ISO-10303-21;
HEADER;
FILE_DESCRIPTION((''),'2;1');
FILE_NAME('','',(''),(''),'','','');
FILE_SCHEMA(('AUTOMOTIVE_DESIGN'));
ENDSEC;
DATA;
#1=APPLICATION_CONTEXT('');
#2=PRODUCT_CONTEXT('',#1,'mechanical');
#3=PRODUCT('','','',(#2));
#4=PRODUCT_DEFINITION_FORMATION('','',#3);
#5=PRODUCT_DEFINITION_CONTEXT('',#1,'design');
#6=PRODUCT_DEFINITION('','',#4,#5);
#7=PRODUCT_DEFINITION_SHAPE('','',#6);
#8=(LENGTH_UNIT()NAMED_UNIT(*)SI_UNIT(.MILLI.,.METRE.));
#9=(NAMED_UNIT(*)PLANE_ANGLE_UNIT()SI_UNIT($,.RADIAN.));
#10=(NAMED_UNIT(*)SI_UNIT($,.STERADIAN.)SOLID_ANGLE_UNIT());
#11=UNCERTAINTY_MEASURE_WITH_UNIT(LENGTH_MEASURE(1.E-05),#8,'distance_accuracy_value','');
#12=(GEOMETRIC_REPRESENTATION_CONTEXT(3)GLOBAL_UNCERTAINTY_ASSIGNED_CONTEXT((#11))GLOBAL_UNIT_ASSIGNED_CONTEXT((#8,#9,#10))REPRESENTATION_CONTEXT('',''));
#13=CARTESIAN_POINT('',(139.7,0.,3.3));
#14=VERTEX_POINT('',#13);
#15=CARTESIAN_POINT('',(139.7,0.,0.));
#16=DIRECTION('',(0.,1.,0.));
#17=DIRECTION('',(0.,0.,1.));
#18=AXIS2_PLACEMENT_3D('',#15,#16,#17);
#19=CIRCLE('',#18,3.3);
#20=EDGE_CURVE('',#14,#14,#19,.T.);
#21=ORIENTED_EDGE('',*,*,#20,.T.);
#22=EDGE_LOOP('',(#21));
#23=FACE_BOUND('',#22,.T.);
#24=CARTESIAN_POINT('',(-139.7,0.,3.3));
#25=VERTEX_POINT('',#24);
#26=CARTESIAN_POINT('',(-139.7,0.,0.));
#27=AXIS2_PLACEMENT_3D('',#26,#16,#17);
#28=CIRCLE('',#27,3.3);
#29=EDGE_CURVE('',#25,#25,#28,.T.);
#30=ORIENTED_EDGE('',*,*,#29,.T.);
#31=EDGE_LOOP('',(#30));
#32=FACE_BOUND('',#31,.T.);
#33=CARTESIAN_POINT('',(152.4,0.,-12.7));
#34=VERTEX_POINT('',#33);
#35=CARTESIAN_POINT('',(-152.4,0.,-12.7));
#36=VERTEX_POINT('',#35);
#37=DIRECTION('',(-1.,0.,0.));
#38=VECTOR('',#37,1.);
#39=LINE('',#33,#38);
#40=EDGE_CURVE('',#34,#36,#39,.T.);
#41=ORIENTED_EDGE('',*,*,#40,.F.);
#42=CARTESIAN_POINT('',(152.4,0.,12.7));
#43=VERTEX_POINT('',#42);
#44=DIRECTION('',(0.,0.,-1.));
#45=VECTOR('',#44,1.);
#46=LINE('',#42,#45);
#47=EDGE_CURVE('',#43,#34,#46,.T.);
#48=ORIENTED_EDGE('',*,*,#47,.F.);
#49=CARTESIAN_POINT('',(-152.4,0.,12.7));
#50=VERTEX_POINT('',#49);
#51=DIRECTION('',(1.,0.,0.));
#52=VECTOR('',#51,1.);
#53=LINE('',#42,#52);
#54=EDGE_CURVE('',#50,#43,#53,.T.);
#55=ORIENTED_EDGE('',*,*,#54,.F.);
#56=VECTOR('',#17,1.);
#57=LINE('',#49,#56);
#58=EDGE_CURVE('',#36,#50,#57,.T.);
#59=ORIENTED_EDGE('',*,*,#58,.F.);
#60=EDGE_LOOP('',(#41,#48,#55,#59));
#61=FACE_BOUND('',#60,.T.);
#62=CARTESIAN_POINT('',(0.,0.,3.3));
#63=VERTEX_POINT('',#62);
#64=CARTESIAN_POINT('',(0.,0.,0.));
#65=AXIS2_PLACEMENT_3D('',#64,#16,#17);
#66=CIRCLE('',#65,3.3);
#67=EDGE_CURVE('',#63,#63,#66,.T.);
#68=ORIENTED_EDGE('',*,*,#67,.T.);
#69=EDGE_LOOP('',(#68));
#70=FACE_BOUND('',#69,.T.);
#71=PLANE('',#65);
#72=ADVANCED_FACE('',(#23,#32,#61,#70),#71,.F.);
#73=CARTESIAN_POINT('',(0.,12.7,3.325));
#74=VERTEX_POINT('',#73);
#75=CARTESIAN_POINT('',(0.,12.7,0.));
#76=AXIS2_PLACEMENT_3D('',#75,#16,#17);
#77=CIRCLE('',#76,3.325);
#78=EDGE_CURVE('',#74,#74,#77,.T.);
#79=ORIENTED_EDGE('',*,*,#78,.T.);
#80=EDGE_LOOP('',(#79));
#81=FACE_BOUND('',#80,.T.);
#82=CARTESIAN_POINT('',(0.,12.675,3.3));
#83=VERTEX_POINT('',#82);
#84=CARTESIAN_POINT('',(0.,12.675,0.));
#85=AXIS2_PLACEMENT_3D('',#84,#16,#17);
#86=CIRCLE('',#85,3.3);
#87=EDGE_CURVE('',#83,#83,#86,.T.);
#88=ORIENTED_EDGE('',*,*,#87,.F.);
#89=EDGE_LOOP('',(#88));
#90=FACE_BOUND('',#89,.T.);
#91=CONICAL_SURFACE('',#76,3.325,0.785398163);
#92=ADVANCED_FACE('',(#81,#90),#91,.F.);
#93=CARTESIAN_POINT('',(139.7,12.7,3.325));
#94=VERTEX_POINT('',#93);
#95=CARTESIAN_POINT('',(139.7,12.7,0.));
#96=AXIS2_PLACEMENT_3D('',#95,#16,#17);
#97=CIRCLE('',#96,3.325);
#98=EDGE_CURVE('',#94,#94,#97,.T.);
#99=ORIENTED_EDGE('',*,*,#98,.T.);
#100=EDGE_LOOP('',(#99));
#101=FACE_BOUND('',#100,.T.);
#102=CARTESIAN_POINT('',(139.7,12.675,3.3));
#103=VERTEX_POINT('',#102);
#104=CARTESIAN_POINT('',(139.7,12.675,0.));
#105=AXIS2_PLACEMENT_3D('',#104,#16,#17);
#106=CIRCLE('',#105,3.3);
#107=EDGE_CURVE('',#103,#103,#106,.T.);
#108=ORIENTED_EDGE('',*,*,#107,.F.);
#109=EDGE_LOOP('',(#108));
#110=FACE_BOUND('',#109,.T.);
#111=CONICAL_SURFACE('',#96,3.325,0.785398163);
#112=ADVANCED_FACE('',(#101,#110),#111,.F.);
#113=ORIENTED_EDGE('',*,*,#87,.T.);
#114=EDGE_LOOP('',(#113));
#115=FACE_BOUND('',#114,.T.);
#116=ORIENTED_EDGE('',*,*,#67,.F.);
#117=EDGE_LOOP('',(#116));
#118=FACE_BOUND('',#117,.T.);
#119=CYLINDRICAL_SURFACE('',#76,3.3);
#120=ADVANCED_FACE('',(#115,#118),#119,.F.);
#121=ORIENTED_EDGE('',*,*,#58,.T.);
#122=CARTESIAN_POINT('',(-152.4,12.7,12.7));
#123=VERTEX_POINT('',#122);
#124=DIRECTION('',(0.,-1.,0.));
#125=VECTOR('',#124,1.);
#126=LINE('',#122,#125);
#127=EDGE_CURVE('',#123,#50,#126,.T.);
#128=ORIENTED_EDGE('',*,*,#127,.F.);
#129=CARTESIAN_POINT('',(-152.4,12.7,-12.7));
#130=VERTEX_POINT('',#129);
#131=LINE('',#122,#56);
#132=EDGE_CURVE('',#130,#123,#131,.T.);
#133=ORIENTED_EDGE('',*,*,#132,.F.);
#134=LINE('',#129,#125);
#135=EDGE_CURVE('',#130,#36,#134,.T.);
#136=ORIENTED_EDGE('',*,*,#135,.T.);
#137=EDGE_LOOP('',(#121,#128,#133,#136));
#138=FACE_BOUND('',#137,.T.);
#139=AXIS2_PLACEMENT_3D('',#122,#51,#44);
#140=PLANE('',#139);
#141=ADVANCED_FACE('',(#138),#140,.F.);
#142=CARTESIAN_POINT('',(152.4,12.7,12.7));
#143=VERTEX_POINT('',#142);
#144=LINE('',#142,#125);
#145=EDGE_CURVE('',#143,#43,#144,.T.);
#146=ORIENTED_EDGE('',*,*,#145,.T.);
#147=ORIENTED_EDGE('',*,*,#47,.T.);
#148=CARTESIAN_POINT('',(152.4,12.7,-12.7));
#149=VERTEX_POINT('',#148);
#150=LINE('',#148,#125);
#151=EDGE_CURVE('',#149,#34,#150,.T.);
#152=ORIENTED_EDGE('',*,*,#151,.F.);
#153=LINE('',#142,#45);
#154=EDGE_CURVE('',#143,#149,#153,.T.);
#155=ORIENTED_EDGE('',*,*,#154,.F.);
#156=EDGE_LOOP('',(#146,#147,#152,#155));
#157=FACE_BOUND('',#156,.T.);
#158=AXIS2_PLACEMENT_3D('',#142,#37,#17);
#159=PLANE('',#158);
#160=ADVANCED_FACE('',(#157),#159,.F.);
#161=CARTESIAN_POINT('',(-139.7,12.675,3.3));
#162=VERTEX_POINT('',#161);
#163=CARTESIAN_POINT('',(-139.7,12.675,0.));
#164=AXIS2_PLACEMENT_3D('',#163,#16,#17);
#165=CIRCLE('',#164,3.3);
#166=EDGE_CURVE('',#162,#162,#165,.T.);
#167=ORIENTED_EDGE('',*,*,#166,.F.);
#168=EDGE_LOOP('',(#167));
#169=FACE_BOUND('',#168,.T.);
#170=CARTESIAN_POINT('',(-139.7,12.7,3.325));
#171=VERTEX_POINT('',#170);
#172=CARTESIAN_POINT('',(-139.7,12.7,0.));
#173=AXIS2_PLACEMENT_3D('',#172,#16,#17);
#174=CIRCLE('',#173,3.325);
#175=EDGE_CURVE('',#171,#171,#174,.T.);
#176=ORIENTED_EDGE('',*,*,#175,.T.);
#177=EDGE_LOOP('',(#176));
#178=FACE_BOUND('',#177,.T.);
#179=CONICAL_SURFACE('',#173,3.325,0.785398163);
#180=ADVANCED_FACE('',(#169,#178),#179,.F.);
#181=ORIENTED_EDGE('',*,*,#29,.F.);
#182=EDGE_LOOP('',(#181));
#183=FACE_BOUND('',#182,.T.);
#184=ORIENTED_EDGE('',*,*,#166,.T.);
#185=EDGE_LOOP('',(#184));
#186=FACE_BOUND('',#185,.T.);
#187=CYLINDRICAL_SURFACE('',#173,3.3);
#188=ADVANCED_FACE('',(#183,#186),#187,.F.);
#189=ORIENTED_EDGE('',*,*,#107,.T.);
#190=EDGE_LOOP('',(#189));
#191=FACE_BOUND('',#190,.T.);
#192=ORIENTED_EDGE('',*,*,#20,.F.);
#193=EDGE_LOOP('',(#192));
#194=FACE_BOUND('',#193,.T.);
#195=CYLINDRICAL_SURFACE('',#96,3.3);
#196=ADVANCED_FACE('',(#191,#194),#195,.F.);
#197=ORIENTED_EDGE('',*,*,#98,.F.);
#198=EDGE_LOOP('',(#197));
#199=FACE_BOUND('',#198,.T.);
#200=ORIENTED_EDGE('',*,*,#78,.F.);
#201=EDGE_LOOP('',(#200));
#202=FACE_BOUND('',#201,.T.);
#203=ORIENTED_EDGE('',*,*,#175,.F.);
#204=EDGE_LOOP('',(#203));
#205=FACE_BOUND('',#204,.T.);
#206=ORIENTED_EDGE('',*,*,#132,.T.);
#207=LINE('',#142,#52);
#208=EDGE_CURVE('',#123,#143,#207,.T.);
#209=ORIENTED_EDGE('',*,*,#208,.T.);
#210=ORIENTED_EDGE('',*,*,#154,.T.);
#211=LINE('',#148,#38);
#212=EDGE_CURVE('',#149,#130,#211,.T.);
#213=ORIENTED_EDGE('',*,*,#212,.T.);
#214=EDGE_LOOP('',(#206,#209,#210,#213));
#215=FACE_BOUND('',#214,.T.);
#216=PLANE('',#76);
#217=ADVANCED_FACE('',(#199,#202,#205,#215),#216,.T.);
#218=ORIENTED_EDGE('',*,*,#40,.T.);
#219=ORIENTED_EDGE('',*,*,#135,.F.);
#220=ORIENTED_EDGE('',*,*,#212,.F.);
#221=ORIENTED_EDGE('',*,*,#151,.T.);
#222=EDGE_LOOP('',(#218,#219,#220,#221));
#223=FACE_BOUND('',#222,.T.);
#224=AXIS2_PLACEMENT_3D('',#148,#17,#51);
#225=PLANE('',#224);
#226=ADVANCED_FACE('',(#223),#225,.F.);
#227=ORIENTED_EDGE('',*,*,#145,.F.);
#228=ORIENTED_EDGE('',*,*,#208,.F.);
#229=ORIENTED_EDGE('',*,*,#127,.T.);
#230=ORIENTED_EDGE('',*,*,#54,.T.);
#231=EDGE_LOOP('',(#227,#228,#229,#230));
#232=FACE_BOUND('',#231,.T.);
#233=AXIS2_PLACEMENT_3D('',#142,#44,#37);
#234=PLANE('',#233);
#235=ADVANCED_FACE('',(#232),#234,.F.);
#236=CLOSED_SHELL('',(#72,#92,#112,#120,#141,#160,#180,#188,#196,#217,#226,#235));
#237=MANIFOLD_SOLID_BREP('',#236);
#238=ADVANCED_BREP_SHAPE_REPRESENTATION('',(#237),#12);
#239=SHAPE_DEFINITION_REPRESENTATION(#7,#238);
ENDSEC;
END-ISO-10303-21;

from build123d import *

# Parameters (mm, degrees)
SKETCH1_W                      = 304.8
SKETCH1_H                      = 25.4
BOSS_EXTRUDE1_DEPTH            = 12.7
M6_CLEARANCE_HOLE1_D           = 6.6
M6_CLEARANCE_HOLE1_CSINK_D     = 6.65
M6_CLEARANCE_HOLE1_CSINK_ANGLE = 90


with BuildPart() as part:
    # Sketch1 → Boss-Extrude1 (new body)
    with BuildSketch(Plane(origin=(0, 0, 0), x_dir=(1, 0, 0), z_dir=(0, 1, 0))):
        Rectangle(SKETCH1_W, SKETCH1_H)
    extrude(amount=BOSS_EXTRUDE1_DEPTH)

    # M6 Clearance Hole1 (through all)
    with Locations(Plane.ZX.offset(12.7)):
        with Locations((0, 0), (0, -139.7), (0, 139.7)):
            CounterSinkHole(M6_CLEARANCE_HOLE1_D / 2, M6_CLEARANCE_HOLE1_CSINK_D / 2, counter_sink_angle=M6_CLEARANCE_HOLE1_CSINK_ANGLE)


solid = part.part
